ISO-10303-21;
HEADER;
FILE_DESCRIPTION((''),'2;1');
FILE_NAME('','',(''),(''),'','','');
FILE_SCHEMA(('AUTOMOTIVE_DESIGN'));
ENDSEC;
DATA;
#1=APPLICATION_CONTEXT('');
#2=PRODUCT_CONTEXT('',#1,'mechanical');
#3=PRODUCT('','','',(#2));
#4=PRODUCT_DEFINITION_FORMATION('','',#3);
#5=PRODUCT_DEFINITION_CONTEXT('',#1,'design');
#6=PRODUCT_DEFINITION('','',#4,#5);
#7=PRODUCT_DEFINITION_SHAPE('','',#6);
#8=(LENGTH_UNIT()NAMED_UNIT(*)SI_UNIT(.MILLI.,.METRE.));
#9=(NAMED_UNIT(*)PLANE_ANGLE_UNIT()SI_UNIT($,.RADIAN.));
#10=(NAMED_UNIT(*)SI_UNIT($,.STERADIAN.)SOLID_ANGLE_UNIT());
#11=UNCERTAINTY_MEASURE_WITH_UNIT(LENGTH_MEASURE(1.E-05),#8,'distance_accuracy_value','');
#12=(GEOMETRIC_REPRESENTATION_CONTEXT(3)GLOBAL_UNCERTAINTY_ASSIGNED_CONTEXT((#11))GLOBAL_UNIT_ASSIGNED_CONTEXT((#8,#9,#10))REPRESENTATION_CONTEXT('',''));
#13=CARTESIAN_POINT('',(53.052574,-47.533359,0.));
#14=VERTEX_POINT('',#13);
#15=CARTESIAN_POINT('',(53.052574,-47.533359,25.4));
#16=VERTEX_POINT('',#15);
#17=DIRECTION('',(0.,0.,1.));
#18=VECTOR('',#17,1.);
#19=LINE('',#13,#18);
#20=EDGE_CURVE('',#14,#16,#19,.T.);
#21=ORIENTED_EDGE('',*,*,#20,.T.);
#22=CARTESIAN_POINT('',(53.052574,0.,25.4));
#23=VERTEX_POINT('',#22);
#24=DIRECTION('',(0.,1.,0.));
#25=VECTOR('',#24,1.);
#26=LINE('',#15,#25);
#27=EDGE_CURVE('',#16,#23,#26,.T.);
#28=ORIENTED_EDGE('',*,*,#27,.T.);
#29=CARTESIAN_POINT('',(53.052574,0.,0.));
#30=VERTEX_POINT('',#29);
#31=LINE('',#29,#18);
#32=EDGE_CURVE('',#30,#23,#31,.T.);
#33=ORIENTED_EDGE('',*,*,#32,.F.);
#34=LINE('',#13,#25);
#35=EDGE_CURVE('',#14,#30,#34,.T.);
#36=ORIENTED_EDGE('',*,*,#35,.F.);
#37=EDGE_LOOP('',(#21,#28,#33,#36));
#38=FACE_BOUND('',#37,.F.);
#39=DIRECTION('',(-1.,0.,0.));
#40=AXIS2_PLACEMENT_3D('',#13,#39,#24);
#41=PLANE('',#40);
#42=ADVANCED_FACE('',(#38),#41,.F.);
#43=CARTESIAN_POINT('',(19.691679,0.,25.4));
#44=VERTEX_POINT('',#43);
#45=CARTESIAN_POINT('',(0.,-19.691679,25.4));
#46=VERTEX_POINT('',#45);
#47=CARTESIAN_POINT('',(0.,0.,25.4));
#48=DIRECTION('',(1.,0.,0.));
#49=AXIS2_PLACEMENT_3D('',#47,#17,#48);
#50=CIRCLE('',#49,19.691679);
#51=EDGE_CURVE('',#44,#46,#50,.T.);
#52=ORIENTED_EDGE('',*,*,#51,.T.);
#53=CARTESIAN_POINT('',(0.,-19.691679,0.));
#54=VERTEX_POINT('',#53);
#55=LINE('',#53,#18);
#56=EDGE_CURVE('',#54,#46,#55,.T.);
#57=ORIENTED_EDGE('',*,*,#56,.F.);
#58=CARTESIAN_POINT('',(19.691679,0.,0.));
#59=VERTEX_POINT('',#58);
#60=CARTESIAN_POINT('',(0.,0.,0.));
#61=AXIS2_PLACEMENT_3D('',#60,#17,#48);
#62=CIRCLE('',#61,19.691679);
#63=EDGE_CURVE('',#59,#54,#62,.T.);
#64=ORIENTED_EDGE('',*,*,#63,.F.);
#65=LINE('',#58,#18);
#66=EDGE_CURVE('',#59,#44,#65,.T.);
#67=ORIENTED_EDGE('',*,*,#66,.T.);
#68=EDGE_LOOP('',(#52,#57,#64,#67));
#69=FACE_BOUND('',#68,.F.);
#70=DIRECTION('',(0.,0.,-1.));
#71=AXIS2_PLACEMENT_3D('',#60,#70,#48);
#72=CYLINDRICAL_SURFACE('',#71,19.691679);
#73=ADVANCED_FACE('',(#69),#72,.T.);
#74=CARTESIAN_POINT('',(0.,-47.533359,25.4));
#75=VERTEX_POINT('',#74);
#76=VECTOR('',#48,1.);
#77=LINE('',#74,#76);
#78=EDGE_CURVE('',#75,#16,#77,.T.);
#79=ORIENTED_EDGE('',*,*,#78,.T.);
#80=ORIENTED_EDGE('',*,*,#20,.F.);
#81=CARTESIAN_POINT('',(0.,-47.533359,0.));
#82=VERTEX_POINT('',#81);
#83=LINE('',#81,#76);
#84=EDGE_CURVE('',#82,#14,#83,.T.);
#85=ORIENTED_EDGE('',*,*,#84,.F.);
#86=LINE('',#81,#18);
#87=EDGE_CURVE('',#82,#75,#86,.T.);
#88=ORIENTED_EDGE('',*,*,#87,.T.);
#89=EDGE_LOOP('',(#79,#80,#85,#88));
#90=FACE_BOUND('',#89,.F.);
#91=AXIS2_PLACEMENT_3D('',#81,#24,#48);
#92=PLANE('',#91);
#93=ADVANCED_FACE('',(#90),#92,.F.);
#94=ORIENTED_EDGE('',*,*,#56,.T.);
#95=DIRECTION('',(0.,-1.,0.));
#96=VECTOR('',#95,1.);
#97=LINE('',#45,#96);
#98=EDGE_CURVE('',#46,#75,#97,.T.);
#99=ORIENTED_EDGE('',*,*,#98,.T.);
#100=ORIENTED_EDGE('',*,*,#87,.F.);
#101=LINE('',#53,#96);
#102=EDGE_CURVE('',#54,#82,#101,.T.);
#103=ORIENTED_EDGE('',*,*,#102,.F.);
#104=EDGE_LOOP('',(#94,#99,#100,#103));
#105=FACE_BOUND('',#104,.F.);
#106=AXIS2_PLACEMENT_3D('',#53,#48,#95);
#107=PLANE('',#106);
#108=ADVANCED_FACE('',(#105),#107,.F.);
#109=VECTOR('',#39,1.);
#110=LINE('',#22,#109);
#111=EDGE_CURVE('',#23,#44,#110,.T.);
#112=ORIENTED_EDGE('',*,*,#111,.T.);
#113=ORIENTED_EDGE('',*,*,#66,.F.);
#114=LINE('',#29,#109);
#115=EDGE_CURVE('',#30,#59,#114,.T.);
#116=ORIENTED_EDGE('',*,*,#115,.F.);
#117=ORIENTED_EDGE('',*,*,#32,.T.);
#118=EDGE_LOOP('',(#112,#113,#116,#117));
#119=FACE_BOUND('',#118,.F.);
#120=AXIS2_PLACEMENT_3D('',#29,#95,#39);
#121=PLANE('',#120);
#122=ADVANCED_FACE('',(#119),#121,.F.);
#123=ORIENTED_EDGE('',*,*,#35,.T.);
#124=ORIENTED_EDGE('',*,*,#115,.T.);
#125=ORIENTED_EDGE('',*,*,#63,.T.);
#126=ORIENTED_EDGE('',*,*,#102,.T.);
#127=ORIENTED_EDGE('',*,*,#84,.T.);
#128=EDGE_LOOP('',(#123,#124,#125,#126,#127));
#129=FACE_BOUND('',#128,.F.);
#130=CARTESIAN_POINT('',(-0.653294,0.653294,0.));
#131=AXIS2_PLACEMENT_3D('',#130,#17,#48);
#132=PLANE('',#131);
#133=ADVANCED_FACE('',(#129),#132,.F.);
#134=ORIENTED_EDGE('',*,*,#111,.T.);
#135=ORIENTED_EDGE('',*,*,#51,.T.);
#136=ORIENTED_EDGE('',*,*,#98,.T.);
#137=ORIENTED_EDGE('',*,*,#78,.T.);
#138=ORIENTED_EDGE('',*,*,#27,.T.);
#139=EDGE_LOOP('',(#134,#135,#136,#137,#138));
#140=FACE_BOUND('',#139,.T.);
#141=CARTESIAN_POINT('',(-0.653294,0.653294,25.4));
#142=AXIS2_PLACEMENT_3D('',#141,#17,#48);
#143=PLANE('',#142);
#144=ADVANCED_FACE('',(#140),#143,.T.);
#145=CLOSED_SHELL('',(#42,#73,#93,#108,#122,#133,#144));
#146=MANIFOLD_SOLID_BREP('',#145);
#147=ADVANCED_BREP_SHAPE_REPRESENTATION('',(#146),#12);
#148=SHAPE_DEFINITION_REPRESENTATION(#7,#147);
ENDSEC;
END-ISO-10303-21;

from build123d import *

# Parameters (mm, degrees)
F1_DEPTH = 25.4


with BuildPart() as f1:
    # F0 (on Top) → F1 (new body)
    with BuildSketch(Plane.XY):
        with BuildLine():
            Line((0, -19.6916791789), (0, 0))
            Line((0, 0), (19.6916791789, 0))
            ThreePointArc((19.6916791789, 0), (-13.9241198804, 13.9241198804), (0, -19.6916791789))
        make_face()
        with BuildLine():
            Line((19.6916791789, 0), (0, 0))
            Line((0, 0), (0, -19.6916791789))
            ThreePointArc((0, -19.6916791789), (13.9241198804, -13.9241198804), (19.6916791789, 0))
        make_face()
        with BuildLine():
            Line((53.0525743961, 0), (19.6916791789, 0))
            ThreePointArc((19.6916791789, 0), (13.9241198804, -13.9241198804), (0, -19.6916791789))
            Line((0, -19.6916791789), (0, -47.5333593786))
            Line((0, -47.5333593786), (53.0525743961, -47.5333593786))
            Line((53.0525743961, -47.5333593786), (53.0525743961, 0))
        make_face()
    extrude(amount=F1_DEPTH)


solid = f1.part
